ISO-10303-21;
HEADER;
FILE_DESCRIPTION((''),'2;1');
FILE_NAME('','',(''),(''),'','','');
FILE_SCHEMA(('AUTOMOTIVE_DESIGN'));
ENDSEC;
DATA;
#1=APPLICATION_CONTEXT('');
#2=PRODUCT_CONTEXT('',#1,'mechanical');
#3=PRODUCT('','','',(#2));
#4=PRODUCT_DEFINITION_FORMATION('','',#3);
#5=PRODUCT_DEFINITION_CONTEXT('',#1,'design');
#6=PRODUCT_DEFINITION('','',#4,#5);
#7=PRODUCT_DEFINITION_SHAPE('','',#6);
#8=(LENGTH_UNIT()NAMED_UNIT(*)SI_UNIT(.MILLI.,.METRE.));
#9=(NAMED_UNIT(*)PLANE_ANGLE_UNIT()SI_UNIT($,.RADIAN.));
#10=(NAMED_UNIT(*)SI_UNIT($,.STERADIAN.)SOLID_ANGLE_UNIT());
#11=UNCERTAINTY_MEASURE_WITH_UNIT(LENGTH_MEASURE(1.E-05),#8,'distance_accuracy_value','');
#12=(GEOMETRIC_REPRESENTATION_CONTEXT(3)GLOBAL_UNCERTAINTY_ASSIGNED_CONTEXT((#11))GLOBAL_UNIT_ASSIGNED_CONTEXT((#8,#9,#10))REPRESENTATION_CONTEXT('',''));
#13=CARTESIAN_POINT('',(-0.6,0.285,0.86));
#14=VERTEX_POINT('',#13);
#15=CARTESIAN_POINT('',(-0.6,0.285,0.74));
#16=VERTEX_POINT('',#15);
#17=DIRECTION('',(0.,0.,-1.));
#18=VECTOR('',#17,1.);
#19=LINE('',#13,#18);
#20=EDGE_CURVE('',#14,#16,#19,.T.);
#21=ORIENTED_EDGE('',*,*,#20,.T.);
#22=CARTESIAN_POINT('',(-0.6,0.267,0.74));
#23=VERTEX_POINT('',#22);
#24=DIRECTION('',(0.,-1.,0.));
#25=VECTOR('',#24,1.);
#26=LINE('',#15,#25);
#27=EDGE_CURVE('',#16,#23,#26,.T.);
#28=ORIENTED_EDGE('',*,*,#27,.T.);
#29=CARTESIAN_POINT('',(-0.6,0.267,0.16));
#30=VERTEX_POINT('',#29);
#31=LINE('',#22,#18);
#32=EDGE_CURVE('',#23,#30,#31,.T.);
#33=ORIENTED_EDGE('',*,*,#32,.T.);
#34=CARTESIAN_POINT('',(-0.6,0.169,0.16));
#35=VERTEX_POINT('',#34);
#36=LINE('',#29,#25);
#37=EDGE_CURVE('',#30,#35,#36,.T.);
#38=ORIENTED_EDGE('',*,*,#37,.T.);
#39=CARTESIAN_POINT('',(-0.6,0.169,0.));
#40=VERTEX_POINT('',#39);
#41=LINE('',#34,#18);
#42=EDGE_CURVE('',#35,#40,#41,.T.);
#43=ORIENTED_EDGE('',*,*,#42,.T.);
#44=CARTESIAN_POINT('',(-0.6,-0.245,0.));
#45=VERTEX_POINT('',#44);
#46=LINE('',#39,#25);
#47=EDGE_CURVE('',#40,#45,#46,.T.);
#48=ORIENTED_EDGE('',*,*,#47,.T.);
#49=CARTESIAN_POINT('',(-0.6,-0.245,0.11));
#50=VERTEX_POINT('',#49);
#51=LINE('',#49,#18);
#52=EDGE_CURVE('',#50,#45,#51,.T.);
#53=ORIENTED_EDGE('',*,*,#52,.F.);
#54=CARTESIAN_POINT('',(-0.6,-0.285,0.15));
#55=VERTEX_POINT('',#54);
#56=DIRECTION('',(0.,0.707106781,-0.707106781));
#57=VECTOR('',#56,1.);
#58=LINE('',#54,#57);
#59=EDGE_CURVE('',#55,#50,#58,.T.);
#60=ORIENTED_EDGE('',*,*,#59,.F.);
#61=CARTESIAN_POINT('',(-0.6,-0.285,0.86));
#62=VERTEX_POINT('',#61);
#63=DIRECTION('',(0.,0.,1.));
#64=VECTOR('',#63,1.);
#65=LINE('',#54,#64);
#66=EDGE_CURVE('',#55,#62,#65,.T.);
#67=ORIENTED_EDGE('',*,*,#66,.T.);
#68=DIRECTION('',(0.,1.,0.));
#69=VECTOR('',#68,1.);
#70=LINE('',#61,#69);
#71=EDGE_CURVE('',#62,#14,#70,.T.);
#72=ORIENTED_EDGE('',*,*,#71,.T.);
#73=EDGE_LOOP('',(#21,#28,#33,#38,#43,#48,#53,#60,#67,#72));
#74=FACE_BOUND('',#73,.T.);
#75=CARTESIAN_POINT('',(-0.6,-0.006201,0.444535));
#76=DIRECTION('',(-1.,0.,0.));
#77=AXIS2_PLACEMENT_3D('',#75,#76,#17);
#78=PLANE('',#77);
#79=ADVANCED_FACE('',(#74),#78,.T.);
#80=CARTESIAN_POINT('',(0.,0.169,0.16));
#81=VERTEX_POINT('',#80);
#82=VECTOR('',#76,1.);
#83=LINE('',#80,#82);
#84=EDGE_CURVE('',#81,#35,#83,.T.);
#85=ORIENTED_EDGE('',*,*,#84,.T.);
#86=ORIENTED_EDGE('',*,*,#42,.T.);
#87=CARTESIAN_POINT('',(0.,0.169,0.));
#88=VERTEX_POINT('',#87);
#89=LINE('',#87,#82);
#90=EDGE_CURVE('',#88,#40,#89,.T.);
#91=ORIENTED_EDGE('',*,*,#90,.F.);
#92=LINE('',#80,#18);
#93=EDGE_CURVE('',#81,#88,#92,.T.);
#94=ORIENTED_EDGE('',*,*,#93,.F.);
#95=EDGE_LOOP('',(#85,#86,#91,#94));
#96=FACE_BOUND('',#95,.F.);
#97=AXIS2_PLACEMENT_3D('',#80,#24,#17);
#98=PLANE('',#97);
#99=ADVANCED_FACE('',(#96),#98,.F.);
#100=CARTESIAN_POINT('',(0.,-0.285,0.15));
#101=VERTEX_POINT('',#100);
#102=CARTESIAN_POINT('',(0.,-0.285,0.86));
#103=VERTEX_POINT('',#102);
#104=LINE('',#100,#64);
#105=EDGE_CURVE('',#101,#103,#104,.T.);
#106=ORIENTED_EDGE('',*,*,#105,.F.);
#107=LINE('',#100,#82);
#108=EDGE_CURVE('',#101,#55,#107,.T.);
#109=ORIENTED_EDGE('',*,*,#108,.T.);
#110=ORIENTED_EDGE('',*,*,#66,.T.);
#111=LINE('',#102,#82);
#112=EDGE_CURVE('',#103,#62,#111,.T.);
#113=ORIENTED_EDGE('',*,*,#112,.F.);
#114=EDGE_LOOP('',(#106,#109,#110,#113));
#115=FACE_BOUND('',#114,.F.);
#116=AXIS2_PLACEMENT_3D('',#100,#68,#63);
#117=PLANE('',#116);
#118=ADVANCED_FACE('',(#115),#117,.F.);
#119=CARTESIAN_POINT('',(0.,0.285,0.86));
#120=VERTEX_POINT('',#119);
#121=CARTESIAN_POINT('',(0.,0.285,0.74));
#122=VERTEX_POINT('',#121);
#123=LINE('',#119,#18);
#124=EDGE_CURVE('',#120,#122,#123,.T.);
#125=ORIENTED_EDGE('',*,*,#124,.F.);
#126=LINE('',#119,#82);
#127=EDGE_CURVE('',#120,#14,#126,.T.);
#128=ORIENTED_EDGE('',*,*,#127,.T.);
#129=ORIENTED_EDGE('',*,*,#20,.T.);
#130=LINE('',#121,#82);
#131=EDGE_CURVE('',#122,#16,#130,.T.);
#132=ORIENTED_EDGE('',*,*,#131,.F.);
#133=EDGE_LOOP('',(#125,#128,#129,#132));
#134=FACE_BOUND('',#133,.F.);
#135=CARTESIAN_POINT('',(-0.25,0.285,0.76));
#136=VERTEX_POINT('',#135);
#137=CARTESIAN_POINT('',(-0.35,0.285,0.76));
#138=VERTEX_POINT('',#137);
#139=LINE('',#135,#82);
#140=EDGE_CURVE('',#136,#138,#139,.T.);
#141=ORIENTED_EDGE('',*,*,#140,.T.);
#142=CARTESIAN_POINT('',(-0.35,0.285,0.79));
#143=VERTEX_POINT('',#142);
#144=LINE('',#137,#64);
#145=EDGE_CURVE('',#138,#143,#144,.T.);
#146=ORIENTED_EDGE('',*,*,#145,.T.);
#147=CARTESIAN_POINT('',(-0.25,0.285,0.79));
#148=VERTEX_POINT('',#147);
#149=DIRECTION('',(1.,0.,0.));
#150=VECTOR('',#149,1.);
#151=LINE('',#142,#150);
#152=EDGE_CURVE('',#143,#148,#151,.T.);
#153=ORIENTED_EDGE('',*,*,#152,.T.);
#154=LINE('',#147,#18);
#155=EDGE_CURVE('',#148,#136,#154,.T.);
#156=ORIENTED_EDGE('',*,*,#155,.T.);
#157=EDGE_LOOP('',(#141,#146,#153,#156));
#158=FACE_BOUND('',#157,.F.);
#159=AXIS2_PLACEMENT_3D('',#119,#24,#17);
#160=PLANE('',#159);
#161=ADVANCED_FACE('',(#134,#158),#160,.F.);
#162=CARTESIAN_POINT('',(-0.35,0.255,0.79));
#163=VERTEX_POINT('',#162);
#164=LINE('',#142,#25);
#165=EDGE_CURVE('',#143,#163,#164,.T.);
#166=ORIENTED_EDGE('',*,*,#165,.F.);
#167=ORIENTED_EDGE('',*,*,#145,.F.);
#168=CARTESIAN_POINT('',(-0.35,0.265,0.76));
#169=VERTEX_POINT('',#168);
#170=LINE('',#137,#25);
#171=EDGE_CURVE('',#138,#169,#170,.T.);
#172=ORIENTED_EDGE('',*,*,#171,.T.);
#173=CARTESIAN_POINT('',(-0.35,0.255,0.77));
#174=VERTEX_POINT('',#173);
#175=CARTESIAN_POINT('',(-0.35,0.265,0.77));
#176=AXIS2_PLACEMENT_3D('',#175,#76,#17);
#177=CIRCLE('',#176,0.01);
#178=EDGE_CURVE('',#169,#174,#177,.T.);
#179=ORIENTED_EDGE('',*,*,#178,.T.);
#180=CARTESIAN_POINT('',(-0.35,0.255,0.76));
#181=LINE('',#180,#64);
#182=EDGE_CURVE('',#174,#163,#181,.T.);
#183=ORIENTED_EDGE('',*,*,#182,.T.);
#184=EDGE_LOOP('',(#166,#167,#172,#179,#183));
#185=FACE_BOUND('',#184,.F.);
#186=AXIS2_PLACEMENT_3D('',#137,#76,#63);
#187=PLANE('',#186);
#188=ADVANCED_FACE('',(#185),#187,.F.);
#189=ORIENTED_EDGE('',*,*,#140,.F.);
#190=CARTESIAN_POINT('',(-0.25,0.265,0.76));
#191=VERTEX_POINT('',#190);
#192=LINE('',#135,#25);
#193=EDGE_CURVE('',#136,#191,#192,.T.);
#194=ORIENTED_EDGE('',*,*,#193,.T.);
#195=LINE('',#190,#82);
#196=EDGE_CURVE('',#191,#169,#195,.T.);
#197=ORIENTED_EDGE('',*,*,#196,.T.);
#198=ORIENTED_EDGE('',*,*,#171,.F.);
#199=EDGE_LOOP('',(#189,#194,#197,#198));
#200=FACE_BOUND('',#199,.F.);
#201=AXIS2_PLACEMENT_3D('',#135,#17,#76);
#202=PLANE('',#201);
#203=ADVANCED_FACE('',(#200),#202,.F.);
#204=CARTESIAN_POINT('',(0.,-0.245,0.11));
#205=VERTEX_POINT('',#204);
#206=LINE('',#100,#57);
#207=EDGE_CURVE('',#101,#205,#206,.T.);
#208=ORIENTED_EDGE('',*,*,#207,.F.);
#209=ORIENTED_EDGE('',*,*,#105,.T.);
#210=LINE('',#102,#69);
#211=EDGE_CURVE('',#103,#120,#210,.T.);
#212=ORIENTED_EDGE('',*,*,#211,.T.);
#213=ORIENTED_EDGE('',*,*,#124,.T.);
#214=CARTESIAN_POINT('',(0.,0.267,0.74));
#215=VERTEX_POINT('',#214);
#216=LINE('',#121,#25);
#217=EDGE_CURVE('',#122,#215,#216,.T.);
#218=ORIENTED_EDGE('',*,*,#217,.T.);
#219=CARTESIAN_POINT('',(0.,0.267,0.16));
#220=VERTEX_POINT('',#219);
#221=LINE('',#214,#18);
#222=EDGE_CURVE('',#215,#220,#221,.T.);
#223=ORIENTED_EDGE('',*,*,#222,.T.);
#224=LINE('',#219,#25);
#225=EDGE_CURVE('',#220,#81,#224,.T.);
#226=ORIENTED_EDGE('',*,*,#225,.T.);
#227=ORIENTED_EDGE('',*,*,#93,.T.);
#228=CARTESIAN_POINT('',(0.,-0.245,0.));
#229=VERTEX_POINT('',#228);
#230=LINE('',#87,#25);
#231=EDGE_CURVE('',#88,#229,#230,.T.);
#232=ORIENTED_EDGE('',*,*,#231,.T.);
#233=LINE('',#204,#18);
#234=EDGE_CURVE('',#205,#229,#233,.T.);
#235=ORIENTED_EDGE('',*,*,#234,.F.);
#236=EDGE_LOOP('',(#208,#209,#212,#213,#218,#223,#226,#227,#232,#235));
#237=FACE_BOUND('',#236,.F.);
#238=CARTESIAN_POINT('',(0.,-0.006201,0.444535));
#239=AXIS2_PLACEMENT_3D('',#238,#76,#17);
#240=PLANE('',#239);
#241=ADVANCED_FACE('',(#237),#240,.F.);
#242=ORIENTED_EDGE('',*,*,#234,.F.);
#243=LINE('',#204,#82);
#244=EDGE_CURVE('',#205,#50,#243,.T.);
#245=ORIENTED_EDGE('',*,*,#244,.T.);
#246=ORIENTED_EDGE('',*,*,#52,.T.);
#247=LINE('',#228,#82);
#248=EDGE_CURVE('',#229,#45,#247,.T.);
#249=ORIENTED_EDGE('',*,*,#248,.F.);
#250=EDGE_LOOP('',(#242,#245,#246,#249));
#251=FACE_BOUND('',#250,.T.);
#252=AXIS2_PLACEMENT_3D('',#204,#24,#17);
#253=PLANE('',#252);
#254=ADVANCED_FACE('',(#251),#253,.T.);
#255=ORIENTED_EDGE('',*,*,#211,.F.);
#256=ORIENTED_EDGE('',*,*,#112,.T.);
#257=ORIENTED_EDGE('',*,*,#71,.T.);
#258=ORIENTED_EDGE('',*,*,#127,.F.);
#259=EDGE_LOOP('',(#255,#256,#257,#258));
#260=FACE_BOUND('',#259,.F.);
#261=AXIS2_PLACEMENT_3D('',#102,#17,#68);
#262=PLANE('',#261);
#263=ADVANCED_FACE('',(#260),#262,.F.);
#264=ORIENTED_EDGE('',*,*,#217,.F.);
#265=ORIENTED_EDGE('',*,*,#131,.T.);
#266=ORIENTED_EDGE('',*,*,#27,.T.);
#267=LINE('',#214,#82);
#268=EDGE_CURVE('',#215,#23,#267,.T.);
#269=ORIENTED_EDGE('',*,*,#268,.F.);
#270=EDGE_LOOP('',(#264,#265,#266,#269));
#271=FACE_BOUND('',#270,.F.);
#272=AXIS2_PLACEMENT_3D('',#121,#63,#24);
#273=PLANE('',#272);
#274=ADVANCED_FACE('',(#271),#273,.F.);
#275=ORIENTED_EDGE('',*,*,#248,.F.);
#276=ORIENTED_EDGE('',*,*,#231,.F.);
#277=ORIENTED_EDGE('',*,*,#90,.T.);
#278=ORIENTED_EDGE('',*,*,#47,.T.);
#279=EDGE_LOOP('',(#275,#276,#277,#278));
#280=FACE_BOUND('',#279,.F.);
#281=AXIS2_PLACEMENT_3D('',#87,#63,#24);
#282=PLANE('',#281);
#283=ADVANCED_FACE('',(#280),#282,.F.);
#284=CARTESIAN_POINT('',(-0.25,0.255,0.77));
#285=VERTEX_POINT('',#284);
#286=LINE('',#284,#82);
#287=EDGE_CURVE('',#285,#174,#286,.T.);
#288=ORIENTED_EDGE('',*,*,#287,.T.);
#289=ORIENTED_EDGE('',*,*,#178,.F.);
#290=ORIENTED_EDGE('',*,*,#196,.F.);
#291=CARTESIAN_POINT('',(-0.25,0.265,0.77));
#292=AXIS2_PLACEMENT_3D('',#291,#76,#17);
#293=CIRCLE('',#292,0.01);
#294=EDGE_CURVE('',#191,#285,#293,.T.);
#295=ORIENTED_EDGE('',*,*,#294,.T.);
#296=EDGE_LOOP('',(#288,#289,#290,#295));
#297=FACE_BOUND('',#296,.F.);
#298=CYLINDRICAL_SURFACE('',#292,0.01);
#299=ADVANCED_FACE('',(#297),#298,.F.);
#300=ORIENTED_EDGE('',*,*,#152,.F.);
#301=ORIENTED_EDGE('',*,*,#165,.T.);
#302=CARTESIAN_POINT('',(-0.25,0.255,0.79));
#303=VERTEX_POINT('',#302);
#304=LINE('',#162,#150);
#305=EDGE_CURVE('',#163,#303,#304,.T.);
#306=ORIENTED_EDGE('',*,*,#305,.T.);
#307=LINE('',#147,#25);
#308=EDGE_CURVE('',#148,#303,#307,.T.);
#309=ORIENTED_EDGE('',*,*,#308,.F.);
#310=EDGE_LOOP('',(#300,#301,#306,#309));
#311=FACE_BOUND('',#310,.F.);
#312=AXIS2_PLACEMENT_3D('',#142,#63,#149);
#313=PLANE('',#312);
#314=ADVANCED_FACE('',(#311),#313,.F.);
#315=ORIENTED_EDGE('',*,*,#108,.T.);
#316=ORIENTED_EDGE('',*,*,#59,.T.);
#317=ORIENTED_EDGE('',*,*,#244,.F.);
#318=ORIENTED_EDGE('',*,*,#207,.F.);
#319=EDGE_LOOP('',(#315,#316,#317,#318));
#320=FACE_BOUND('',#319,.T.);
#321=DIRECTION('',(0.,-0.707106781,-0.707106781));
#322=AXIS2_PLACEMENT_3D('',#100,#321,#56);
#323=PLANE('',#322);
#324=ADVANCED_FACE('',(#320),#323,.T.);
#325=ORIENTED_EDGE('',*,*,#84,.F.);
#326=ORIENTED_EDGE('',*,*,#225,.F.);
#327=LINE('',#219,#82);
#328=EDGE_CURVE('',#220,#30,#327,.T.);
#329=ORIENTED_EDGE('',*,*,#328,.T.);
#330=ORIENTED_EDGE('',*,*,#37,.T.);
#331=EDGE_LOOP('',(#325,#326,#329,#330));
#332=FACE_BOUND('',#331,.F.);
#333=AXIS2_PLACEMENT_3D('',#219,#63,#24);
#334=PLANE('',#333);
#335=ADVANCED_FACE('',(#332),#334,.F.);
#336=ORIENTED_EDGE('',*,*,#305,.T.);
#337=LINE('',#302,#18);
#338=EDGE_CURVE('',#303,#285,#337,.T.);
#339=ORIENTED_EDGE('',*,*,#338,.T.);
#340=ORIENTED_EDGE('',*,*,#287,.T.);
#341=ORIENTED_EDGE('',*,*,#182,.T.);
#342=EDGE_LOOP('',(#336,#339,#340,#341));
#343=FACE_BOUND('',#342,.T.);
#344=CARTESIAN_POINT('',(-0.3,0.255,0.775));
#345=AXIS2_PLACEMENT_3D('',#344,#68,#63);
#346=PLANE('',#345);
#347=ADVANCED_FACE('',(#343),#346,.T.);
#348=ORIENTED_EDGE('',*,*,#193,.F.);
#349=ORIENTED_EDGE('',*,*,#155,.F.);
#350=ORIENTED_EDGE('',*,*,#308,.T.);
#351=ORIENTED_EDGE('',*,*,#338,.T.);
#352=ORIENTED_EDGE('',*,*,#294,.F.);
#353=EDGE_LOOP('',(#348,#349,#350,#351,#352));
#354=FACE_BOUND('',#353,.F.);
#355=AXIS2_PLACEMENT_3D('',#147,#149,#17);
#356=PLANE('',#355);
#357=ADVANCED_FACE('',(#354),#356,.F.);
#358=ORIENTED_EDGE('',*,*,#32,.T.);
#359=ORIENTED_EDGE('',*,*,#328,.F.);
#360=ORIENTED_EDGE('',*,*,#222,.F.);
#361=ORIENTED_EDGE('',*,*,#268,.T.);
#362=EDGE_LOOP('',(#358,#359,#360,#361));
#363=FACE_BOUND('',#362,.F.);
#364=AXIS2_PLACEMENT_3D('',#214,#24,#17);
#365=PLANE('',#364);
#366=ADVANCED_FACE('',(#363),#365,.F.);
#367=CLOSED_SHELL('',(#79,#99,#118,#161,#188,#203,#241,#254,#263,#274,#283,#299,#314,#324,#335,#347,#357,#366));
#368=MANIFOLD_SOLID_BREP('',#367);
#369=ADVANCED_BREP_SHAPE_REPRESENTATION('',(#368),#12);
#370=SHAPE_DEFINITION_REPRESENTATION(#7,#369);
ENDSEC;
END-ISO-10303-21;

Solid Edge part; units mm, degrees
sketch "Sketch1" plane through (0, 0, 0) normal (1, 0, 0) x (0, 1, 0)
  line L0 (-0.285, 0.86) -> (0.285, 0.86)
  line L1 (0.285, 0.86) -> (0.285, 0.74)
  line L2 (0.285, 0.74) -> (0.267, 0.74)
  line L3 (0.267, 0.74) -> (0.267, 0.16)
  line L4 (0.267, 0.16) -> (0.169, 0.16)
  line L5 (0.169, 0.16) -> (0.169, 0)
  line L6 (0.169, 0) -> (-0.245, 0)
  line L7 (-0.245, 0.11) -> (-0.245, 0)
  line L8 (-0.285, 0.15) -> (-0.245, 0.11)
  line L9 (-0.285, 0.15) -> (-0.285, 0.86)
  dimension "D1" = 0.12
  dimension "D2" = 0.57
  dimension "D3" = 0.04
  dimension "D4" = 0.15
  dimension "D5" = 0.16
  dimension "D6" = 0.116
  dimension "D7" = 0.018
extrude "Protrusion1" add sketch "Sketch1" against normal blind 0.6
sketch "Sketch2" plane through (-0.298, 0.285, 0.8) normal (0, 1, 0) x (-1, 0, 0)
  line L0 (-0.048, -0.04) -> (0.052, -0.04)
  line L1 (0.052, -0.04) -> (0.052, -0.01)
  line L2 (0.052, -0.01) -> (-0.048, -0.01)
  line L3 (-0.048, -0.01) -> (-0.048, -0.04)
  dimension "D1" = 0.1
  dimension "D2" = 0.03
  dimension "D3" = 0.07
  dimension "D4" = 0.3
extrude "Ausschnitt_1" cut sketch "Sketch2" against normal blind 0.03
fillet "Verrundung_1" radius 0.01 1 edges at (-0.3, 0.255, 0.76)
